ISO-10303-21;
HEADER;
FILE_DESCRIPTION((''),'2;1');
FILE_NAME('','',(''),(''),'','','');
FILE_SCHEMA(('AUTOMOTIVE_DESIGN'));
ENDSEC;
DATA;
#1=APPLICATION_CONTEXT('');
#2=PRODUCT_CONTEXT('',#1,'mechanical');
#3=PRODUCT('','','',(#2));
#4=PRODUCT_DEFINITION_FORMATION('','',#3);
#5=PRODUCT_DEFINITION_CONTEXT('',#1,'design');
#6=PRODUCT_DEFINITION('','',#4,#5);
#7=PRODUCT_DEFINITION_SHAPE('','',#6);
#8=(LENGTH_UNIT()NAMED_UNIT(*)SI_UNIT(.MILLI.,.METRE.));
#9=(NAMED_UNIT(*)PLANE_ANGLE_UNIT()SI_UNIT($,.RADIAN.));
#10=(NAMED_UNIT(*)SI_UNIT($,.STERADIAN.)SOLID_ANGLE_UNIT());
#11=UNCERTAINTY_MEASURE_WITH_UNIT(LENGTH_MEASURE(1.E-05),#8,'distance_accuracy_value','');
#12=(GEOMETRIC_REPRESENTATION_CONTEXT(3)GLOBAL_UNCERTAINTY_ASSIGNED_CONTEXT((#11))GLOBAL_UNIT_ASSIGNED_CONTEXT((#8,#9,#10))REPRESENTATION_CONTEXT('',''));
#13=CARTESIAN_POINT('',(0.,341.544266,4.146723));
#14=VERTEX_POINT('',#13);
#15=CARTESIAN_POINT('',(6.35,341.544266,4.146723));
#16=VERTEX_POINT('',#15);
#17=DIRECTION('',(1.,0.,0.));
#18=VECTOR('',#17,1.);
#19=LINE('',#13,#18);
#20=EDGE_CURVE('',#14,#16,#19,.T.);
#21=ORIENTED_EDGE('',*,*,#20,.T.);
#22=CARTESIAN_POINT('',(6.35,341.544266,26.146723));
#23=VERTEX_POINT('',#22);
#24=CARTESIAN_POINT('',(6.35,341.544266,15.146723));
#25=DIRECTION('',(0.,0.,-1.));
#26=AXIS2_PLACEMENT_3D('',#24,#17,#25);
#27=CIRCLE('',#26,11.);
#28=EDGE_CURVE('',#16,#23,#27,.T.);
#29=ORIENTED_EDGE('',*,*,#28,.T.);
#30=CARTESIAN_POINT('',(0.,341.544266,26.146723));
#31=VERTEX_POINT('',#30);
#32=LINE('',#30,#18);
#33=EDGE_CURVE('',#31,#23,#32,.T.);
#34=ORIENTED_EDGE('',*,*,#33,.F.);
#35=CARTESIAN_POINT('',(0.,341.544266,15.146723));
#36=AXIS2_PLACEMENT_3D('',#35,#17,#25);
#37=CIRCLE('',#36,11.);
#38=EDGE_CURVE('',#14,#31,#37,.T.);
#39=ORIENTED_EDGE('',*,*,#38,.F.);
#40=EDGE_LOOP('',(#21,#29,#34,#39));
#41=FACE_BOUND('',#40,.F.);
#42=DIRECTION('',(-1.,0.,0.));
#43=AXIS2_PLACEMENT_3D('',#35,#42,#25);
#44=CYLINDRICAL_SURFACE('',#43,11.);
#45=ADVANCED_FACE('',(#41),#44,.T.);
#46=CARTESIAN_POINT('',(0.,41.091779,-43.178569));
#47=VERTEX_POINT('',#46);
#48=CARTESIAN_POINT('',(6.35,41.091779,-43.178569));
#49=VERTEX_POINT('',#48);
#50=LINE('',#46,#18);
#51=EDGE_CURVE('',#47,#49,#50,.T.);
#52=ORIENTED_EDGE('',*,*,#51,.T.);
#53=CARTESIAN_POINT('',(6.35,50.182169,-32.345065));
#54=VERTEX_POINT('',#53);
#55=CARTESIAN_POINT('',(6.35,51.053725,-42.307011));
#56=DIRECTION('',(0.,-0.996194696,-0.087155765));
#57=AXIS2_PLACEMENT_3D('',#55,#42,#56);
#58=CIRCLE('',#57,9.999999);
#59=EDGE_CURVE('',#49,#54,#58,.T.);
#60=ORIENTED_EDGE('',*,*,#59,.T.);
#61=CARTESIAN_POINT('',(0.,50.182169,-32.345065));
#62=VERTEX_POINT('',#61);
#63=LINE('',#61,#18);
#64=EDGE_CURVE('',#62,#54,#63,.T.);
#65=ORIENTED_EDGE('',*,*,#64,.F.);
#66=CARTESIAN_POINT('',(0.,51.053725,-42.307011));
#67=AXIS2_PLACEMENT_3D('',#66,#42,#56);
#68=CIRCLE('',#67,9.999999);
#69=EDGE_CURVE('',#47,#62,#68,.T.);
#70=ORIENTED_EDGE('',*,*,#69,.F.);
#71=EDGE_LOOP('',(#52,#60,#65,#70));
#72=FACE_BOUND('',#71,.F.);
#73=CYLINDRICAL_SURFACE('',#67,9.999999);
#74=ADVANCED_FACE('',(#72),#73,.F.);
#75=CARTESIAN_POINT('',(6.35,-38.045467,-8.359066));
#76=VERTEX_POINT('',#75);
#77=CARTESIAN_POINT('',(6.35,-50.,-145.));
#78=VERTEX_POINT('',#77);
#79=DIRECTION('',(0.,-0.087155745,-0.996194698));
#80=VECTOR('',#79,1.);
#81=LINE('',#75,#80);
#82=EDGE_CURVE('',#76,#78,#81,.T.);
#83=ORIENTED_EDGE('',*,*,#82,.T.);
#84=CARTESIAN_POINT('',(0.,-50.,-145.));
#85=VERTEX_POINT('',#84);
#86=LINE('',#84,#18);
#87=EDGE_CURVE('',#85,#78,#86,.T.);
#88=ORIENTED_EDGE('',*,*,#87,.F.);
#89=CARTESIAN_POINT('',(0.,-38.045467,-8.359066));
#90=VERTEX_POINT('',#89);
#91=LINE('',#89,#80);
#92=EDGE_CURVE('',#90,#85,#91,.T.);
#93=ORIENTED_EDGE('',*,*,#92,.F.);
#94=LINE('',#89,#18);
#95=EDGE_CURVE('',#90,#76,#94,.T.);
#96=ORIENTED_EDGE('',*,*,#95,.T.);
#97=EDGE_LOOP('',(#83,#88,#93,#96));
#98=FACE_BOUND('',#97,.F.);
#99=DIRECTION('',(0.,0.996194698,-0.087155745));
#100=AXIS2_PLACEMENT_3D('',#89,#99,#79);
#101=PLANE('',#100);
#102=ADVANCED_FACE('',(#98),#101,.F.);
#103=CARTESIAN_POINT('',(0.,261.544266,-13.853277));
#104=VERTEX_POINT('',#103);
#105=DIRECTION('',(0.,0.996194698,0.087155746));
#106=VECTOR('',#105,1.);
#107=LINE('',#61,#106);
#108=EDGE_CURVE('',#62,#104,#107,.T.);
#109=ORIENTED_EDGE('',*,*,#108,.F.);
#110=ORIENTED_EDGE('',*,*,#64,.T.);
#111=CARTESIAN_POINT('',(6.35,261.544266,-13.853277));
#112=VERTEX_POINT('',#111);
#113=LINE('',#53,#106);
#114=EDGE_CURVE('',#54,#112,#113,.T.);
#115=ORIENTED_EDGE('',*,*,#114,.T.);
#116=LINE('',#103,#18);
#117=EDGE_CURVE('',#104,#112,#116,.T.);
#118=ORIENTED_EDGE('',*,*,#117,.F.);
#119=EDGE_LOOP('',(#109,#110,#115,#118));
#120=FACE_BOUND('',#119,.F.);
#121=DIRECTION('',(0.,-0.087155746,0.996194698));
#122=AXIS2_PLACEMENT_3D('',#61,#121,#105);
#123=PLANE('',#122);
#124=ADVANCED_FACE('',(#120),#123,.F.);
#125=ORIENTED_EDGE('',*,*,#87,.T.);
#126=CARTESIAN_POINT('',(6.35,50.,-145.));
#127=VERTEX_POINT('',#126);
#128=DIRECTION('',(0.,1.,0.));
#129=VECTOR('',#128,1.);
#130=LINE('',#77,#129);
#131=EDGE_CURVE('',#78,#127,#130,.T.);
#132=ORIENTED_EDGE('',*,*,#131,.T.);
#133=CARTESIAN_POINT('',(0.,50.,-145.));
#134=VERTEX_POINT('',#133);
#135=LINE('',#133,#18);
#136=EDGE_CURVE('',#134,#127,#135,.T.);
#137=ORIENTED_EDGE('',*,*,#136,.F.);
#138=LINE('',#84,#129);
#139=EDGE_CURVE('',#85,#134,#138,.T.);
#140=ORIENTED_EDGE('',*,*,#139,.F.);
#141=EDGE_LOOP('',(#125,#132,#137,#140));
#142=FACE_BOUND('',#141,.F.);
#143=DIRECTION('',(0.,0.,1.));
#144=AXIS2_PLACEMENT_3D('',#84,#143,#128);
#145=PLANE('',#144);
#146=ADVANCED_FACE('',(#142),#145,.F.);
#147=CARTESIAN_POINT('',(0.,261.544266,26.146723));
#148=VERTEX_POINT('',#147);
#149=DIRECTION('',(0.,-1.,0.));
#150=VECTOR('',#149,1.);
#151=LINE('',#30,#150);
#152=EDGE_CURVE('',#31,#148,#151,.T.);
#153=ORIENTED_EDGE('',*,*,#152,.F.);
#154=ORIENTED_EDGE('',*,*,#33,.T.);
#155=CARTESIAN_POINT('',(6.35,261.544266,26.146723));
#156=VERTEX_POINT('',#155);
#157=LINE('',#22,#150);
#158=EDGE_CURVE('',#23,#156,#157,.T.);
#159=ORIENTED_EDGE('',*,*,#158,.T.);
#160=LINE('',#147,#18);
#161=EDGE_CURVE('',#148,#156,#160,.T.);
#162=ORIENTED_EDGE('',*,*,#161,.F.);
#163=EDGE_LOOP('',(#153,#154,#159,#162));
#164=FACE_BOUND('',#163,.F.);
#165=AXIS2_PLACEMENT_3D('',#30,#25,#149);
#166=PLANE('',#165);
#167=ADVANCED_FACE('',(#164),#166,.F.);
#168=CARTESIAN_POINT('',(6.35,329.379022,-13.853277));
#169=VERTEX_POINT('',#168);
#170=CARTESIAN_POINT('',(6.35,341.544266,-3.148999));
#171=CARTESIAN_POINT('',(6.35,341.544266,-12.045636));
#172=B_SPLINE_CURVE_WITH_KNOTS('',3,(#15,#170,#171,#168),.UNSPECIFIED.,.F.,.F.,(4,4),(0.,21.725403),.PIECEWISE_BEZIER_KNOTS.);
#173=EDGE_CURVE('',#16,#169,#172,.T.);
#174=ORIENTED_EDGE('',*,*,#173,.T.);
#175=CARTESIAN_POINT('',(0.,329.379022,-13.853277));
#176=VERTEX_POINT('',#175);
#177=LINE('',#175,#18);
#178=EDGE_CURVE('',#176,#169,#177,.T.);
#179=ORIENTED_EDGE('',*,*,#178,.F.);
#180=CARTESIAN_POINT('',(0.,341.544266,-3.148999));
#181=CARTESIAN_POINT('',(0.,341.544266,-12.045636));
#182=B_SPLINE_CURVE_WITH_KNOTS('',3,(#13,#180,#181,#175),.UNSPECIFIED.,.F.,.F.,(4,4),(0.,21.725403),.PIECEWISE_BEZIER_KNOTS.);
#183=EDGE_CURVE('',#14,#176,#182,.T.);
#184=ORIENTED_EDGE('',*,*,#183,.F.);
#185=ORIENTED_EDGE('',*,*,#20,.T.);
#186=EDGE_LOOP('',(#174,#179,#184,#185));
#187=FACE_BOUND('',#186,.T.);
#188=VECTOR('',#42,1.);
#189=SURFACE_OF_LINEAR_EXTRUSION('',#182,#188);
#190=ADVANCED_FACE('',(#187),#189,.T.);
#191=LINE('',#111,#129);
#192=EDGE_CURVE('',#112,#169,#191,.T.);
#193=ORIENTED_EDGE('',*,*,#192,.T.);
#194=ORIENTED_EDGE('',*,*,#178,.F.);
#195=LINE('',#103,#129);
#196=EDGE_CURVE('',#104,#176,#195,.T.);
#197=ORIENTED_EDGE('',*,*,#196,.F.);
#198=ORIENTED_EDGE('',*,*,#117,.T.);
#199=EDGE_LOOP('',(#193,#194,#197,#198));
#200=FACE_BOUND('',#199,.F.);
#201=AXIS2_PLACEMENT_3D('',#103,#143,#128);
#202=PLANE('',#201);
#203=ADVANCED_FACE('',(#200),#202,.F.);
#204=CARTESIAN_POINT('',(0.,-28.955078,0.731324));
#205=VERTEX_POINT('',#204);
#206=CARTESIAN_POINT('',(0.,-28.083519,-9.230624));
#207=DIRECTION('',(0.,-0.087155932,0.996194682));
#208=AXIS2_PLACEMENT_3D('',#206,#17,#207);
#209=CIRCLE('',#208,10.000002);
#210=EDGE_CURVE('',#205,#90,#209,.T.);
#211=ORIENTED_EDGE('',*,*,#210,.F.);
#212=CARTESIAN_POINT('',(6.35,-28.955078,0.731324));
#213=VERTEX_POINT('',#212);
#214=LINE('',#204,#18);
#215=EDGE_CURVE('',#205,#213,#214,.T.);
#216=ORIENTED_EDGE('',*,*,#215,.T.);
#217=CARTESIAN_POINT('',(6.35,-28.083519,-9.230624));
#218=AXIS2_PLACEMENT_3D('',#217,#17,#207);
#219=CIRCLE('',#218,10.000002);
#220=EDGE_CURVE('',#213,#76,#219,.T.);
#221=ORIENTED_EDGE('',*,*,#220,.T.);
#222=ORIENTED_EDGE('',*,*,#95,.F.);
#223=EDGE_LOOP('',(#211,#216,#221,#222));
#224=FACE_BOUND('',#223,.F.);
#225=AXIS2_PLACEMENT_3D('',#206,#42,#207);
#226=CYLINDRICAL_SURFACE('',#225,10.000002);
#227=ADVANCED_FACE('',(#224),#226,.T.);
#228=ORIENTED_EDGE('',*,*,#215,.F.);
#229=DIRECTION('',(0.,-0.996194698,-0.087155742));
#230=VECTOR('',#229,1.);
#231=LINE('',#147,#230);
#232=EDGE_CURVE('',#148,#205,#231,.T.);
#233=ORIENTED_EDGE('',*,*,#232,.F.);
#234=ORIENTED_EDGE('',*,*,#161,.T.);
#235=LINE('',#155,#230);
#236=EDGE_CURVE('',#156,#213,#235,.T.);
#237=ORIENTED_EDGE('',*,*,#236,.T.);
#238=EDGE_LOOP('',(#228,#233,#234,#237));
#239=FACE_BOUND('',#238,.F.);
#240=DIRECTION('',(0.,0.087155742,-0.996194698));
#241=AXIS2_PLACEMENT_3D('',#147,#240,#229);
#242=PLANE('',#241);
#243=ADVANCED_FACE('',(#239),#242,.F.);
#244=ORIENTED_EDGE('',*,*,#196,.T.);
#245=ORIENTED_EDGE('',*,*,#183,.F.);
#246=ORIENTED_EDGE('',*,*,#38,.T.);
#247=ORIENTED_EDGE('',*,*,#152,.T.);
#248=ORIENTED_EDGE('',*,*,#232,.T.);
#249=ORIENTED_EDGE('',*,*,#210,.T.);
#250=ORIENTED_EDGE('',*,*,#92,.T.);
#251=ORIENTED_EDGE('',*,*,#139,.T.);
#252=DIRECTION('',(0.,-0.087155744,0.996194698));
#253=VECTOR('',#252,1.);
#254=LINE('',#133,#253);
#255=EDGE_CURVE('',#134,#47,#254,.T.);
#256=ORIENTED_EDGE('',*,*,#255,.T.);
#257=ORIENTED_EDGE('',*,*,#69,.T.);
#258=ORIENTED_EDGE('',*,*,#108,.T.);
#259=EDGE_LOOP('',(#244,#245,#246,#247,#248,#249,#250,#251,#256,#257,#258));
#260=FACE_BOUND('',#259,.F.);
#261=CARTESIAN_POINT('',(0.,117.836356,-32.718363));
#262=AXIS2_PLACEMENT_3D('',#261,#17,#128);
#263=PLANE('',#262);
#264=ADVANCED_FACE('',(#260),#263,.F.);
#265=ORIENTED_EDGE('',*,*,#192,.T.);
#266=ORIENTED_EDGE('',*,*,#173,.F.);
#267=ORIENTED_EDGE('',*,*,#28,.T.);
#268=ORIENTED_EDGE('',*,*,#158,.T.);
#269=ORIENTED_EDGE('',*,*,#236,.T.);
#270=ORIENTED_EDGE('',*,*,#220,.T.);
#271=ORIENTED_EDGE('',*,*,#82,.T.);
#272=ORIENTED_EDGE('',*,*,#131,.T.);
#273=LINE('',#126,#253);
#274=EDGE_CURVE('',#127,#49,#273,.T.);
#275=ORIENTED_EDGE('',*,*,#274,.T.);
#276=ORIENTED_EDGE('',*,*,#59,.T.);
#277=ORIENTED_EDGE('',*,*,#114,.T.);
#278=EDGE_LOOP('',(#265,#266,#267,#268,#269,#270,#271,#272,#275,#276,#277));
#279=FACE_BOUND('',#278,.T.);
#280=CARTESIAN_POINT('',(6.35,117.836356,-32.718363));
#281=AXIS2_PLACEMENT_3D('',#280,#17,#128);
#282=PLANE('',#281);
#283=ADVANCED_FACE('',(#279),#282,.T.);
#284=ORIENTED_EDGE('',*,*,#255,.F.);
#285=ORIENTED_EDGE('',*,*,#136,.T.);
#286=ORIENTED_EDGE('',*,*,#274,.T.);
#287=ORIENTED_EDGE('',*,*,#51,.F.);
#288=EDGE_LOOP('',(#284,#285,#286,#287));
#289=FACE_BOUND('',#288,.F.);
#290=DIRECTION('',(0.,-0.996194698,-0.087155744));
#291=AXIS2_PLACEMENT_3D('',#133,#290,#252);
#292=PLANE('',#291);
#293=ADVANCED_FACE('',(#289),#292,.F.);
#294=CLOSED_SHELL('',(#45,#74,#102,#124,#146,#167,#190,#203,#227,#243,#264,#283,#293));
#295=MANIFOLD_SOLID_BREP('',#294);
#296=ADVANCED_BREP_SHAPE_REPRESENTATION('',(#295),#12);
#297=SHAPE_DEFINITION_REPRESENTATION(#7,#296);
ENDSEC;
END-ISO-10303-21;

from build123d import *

# Parameters (mm, degrees)
F1_DEPTH = 6.35


with BuildPart() as f1:
    # F0 (on Right) → F1 (new body)
    with BuildSketch(Plane.YZ):
        with BuildLine():
            ThreePointArc((-28.955078, 0.731324), (-35.154588, -2.159556), (-38.045467, -8.359066))
            Line((-38.045467, -8.359066), (-50, -145))
            Line((-50, -145), (50, -145))
            Line((50, -145), (41.091779, -43.178569))
            ThreePointArc((41.091779, -43.178569), (43.393282, -35.879135), (50.182169, -32.345065))
            Line((50.182169, -32.345065), (261.544266, -13.853277))
            Line((261.544266, -13.853277), (329.379022, -13.853277))
            add(Edge.make_bspline(
                [(341.544266, 4.146723), (341.544266, -3.148999), (341.544266, -12.045636), (329.379022, -13.853277)],
                knots=[0, 0, 0, 0, 21.725403, 21.725403, 21.725403, 21.725403], degree=3))
            Line((341.544266, 4.146723), (341.544266, 26.146723))
            Line((341.544266, 26.146723), (261.544266, 26.146723))
            Line((261.544266, 26.146723), (-28.955078, 0.731324))
        make_face()
        with BuildLine():
            ThreePointArc((341.544266, 4.146723), (352.544266, 15.146723), (341.544266, 26.146723))
            Line((341.544266, 26.146723), (341.544266, 4.146723))
        make_face()
    extrude(amount=F1_DEPTH)


solid = f1.part
